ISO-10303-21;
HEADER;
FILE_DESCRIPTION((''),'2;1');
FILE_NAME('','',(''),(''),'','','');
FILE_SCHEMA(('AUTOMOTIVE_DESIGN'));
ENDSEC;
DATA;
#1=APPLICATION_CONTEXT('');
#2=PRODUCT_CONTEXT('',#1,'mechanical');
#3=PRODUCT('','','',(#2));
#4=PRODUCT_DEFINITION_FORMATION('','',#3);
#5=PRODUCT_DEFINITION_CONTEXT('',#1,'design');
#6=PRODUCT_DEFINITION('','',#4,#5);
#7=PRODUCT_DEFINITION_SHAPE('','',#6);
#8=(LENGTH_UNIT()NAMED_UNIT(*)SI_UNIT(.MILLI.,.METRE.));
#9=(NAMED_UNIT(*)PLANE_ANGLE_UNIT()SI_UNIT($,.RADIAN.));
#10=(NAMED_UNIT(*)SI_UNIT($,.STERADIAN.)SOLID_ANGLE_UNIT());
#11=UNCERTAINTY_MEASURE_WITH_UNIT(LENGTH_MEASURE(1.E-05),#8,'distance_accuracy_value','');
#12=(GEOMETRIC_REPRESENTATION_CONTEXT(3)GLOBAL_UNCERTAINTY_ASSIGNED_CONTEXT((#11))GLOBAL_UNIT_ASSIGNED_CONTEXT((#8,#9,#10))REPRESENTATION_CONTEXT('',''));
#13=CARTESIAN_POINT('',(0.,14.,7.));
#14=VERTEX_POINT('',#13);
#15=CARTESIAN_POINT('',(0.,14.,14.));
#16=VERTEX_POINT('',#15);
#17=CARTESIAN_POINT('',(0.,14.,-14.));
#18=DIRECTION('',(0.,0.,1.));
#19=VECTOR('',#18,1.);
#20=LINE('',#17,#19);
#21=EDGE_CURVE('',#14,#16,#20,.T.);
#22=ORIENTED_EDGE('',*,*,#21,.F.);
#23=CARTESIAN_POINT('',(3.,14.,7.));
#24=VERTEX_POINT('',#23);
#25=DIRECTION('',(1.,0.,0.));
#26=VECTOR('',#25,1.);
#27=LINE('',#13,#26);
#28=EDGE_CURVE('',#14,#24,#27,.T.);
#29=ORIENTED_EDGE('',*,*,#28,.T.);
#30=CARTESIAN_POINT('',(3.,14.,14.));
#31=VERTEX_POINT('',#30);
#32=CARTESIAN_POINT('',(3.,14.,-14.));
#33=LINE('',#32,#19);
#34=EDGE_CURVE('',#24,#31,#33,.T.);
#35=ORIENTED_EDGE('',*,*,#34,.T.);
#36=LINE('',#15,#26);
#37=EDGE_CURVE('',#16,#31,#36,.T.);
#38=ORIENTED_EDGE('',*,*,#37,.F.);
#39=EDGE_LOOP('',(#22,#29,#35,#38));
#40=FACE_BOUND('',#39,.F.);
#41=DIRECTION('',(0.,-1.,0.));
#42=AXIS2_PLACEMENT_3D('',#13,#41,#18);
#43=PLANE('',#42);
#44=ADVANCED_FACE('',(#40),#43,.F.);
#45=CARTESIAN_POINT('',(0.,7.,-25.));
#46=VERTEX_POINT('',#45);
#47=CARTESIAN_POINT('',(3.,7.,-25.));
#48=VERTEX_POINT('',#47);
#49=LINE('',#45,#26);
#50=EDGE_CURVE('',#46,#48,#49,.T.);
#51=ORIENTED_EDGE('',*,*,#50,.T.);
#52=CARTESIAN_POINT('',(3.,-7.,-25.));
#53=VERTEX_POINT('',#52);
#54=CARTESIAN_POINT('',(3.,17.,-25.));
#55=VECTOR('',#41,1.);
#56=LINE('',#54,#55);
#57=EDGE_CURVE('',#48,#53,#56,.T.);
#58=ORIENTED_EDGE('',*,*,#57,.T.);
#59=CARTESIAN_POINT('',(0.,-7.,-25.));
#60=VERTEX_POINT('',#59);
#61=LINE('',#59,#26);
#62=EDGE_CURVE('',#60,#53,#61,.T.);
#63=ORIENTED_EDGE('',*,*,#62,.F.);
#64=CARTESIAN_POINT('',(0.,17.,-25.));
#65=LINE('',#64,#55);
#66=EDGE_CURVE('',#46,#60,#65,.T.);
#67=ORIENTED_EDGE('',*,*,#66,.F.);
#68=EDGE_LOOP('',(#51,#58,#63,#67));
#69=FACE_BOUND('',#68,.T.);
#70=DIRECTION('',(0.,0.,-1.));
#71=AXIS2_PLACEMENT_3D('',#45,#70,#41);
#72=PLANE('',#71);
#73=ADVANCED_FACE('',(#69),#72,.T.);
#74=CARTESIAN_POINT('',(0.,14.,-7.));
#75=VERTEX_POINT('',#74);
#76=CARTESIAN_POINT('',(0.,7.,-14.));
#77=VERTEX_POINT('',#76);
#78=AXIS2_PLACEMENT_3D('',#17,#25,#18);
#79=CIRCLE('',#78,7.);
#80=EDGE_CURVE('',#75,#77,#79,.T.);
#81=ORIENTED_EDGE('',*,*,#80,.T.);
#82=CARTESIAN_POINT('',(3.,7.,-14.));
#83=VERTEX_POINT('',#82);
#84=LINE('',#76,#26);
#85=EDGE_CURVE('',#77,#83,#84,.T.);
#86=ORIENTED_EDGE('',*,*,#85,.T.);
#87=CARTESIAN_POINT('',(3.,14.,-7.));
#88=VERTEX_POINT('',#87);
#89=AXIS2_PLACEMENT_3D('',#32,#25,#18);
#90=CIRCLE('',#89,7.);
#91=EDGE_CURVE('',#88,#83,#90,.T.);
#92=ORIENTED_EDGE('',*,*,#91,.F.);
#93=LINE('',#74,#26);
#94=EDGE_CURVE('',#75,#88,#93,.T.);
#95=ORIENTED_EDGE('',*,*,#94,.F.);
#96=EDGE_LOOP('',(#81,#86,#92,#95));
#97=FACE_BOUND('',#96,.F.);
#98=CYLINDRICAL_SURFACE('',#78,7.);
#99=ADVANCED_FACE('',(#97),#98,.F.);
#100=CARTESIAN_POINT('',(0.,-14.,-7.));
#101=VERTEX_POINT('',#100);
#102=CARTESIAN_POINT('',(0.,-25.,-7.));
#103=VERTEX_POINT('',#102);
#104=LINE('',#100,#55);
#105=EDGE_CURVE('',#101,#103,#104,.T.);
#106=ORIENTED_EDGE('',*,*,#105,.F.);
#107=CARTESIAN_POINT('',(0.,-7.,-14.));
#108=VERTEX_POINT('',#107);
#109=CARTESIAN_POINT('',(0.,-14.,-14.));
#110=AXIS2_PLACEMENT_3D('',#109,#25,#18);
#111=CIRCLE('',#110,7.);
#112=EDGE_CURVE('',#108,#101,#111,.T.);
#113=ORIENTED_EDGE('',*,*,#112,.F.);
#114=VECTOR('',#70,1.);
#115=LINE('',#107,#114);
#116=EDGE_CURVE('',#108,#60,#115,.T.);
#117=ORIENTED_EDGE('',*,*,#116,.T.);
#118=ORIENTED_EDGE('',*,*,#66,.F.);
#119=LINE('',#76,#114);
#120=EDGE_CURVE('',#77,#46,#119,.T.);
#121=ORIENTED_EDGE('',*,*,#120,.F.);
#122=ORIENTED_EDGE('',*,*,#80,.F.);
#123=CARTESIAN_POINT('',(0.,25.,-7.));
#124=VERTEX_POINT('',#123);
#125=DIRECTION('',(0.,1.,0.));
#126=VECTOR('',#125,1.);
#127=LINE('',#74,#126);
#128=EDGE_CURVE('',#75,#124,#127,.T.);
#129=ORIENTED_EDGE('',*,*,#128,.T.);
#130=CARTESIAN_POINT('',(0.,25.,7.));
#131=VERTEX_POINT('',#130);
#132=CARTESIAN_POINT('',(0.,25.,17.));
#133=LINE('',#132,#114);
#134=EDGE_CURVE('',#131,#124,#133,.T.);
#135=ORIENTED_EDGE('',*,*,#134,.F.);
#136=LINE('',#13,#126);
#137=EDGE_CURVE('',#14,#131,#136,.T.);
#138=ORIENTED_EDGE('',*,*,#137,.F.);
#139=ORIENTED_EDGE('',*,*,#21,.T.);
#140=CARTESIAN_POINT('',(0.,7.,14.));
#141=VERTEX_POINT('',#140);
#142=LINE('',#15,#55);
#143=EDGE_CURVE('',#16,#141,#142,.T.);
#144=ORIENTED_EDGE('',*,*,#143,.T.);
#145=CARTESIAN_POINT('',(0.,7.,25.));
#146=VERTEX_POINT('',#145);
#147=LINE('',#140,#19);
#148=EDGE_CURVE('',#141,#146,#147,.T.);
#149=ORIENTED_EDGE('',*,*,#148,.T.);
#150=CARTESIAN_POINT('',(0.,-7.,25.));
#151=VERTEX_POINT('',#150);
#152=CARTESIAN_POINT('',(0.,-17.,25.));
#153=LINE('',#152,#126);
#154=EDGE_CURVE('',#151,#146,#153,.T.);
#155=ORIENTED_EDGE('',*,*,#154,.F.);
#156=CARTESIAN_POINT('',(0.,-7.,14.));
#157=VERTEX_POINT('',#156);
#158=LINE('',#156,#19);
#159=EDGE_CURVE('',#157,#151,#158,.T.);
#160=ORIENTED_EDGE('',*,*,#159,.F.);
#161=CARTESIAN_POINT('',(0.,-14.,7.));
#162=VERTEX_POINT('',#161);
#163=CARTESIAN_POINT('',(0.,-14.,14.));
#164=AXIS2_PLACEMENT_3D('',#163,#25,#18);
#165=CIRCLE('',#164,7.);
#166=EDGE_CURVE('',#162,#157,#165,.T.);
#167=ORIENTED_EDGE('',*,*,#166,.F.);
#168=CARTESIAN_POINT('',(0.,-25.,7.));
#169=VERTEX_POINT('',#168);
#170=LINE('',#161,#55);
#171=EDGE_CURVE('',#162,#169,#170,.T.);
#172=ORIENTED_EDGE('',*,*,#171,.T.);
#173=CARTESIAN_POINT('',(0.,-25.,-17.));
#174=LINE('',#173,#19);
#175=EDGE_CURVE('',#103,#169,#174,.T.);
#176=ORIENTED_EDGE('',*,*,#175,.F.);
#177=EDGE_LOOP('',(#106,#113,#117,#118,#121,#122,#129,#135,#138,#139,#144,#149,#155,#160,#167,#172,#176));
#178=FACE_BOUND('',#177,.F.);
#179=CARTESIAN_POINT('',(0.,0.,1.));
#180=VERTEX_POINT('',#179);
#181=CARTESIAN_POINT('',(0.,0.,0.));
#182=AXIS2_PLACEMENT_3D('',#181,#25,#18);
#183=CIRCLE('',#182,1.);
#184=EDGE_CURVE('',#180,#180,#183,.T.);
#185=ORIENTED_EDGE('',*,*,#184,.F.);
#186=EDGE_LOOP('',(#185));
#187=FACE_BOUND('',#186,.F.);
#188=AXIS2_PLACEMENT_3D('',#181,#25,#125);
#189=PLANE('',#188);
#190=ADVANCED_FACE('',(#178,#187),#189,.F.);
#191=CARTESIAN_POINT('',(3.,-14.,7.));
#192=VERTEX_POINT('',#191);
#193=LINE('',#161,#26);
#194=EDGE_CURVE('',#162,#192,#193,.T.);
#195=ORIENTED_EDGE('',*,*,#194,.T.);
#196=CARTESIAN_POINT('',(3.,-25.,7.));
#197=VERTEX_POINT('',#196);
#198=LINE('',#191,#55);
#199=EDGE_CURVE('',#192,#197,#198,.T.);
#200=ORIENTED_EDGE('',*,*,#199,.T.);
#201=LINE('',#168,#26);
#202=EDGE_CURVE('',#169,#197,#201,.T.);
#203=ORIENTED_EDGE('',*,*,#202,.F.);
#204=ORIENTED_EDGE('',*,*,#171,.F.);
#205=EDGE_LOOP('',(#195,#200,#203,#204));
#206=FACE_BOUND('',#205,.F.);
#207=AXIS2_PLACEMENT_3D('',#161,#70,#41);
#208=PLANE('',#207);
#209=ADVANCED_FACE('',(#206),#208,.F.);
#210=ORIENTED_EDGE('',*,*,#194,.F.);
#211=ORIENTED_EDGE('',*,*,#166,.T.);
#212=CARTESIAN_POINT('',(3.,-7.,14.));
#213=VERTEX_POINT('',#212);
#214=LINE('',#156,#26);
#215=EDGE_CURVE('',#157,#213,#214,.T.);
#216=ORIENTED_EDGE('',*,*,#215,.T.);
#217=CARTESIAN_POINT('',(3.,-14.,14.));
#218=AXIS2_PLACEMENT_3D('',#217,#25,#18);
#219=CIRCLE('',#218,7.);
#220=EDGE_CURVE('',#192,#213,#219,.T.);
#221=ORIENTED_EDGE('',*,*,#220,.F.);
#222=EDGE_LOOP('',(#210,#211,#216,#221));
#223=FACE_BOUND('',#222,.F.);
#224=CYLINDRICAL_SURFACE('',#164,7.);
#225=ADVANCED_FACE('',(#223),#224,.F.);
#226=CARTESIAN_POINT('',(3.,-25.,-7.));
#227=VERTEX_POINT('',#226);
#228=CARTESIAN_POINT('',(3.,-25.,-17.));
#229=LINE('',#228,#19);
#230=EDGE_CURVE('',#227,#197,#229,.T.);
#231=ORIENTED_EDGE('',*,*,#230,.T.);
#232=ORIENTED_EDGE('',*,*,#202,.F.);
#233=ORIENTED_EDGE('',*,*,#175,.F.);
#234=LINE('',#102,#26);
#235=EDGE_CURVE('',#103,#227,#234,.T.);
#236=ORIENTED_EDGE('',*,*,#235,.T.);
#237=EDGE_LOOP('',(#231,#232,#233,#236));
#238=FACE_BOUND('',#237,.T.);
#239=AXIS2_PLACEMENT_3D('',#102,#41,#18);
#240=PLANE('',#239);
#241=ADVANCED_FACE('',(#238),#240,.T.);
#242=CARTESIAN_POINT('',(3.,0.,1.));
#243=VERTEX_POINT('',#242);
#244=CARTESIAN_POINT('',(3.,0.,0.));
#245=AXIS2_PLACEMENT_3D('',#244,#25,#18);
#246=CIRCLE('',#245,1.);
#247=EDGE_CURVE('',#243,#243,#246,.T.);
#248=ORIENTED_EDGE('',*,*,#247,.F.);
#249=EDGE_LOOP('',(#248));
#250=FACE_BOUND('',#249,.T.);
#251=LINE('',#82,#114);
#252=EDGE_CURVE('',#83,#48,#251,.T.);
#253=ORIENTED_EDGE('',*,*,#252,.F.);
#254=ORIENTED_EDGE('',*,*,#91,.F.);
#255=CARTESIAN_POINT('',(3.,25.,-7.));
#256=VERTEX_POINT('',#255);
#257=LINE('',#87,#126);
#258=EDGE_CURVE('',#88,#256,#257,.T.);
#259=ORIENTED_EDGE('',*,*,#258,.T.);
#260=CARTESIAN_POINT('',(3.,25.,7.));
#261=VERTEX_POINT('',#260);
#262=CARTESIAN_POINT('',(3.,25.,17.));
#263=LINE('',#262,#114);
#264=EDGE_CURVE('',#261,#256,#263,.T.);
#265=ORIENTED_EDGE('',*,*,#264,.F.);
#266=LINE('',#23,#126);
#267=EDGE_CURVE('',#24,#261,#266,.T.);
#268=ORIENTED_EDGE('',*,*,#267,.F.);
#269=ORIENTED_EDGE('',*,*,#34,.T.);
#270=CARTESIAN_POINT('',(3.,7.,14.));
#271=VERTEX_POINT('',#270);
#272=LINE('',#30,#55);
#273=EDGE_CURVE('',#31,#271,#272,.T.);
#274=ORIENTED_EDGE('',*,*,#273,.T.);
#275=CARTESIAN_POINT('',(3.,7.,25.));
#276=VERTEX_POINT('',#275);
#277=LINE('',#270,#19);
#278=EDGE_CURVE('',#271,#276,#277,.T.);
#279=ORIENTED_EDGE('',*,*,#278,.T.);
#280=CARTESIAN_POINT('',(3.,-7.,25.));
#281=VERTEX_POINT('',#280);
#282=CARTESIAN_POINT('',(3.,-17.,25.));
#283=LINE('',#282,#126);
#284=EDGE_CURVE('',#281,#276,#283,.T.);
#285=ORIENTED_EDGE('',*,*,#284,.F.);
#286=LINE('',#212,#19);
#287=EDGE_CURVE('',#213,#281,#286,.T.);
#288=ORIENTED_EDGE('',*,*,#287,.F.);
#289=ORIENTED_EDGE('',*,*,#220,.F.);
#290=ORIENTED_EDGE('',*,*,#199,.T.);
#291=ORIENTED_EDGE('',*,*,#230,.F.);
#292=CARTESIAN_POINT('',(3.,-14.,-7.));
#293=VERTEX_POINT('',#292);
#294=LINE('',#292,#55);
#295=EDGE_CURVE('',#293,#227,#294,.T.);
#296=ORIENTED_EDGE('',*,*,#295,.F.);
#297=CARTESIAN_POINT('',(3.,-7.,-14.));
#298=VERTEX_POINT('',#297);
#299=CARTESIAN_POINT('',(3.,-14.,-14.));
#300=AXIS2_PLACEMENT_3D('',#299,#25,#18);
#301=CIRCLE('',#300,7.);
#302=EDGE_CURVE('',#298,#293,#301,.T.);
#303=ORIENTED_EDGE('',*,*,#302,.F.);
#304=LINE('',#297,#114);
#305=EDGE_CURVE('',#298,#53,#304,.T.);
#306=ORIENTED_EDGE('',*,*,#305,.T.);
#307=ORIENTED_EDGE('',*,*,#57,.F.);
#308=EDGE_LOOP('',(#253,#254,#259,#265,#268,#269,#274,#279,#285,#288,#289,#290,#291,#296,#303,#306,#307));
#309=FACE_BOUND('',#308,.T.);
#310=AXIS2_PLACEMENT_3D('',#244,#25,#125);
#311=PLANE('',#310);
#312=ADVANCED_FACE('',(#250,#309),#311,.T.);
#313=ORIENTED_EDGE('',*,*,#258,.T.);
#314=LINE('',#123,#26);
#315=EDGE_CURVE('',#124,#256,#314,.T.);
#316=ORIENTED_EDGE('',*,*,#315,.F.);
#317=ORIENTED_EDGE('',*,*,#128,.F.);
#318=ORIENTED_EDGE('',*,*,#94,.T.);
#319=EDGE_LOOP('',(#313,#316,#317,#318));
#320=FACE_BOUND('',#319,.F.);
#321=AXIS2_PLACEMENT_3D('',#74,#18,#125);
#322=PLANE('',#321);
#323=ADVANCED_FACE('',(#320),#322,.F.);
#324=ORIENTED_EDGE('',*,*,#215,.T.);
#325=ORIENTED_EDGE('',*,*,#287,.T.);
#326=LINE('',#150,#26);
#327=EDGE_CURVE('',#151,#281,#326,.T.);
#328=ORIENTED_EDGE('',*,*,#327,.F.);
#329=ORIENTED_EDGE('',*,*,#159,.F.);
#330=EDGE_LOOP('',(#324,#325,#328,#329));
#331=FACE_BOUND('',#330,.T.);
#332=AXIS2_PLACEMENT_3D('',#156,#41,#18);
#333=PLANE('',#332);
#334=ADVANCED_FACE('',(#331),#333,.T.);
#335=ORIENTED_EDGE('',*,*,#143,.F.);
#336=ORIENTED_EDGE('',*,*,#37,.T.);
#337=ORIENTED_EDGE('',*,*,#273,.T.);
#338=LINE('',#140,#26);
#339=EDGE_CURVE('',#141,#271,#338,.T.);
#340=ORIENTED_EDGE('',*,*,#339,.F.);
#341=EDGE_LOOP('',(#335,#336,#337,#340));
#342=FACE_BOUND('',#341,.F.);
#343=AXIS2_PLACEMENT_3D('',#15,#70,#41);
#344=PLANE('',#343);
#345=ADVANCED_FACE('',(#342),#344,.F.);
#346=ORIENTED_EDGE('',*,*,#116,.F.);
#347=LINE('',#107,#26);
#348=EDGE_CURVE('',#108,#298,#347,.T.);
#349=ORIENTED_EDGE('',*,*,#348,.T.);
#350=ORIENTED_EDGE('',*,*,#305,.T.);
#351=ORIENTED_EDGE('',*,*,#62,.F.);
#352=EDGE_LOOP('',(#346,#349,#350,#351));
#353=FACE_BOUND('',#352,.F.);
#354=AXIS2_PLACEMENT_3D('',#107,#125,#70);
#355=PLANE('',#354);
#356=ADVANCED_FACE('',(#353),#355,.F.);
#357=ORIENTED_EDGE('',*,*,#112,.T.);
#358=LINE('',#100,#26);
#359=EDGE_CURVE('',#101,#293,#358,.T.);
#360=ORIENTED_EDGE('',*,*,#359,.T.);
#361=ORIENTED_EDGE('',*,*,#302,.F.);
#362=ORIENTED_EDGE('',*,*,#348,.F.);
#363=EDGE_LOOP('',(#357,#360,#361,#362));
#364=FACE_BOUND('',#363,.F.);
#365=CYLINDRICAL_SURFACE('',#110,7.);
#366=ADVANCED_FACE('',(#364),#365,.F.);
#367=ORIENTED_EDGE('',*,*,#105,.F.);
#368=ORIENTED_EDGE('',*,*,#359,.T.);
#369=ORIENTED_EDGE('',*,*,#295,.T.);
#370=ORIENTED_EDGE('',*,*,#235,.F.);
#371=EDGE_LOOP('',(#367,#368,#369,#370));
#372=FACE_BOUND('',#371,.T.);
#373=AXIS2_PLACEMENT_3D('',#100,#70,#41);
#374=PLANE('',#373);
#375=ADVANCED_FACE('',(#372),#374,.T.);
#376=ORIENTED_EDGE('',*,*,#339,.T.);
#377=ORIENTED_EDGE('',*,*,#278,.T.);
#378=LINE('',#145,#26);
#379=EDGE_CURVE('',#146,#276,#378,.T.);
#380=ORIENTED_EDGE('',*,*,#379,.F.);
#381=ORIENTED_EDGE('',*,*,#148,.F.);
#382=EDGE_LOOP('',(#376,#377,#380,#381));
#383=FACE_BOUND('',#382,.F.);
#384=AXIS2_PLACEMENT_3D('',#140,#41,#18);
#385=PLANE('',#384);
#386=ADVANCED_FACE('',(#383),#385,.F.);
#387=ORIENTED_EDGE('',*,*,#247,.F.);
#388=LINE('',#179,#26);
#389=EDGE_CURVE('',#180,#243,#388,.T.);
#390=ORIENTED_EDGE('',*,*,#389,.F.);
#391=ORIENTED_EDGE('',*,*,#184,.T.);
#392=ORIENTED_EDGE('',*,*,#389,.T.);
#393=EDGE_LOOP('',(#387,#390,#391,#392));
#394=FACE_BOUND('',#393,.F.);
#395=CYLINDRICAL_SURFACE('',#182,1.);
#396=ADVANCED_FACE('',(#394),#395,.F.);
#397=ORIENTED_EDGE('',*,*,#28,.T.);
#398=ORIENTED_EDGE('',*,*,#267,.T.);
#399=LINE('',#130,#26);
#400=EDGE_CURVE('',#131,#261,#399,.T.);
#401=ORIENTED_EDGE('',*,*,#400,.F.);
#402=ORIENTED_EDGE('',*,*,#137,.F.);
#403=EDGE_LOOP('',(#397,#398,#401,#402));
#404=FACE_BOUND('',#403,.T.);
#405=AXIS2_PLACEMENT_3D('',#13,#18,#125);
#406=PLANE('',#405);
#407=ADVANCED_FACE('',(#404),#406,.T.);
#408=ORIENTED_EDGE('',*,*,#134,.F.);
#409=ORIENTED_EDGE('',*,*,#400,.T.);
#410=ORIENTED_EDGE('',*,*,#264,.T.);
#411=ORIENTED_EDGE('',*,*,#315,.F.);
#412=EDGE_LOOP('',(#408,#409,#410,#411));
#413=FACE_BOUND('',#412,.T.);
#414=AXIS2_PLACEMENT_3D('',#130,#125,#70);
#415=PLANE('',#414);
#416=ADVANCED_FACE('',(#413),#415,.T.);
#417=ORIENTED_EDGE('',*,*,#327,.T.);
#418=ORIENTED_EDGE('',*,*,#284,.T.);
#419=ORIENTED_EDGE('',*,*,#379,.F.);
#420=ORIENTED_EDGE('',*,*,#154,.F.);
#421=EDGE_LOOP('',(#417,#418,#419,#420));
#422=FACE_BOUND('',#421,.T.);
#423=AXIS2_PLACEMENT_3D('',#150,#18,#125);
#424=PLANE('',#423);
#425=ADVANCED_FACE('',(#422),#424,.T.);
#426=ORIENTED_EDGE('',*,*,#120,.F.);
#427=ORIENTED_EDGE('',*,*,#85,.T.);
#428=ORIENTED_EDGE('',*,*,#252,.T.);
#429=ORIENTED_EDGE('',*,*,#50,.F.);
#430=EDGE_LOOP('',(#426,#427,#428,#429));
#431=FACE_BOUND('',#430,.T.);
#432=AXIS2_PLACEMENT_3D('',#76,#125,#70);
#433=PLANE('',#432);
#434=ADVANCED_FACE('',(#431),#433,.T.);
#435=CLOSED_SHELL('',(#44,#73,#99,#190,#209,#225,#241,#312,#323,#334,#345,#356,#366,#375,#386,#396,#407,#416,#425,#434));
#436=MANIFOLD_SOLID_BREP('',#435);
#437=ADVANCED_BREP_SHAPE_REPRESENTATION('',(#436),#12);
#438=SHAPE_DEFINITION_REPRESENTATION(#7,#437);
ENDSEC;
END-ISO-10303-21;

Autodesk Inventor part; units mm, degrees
ref_plane "YZ Plane" through (0, 0, 0) normal (1, 0, 0) x (0, 1, 0)
ref_plane "XZ Plane" through (0, 0, 0) normal (0, 1, 0) x (-1, 0, 0)
ref_plane "XY Plane" through (0, 0, 0) normal (0, 0, 1) x (1, 0, 0)
sketch "Skizze1" plane through (0, 0, 0) normal (1, 0, 0) x (0, 1, 0)
  line L0 (14, 14) -> (-14, 14)
  line L1 (-14, 14) -> (-14, -14)
  line L2 (-14, -14) -> (14, -14)
  line L3 (14, -14) -> (14, 14)
  line L4 (14, 14) -> (-14, -14) construction
  line L5 (-14, 14) -> (14, -14) construction
  line L6 (17, 17) -> (-17, -17) construction
  line L7 (-17, 17) -> (17, -17) construction
  line L8 (-17, 17) -> (-17, 25)
  line L9 (-17, 25) -> (17, 25)
  line L10 (17, 25) -> (17, 17)
  line L11 (17, 17) -> (25, 17)
  line L12 (25, 17) -> (25, -17)
  line L13 (25, -17) -> (17, -17)
  line L14 (17, -17) -> (17, -25)
  line L15 (17, -25) -> (-17, -25)
  line L16 (-17, -25) -> (-17, -17)
  line L17 (-17, -17) -> (-25, -17)
  line L18 (-25, -17) -> (-25, 17)
  line L19 (-25, 17) -> (-17, 17)
  line L20 (-7, 14) -> (-7, 25)
  line L21 (7, 14) -> (7, 25)
  line L22 (14, 7) -> (25, 7)
  line L23 (14, -7) -> (25, -7)
  line L24 (7, -14) -> (7, -25)
  line L25 (-7, -14) -> (-7, -25)
  line L26 (-14, -7) -> (-25, -7)
  line L27 (-14, 7) -> (-25, 7)
  point P0 (0, 0)
  dimension "d0" = 28
  dimension "d1" = 28
  dimension "d2" = 34
  dimension "d3" = 34
  dimension "d4" = 8
  dimension "d5" = 8
  dimension "d6" = 8
  dimension "d7" = 8
extrude "Extrusion1" add sketch "Skizze1" along normal blind 3 contours L3 L2 L1 L0 | L0 L20 L9 L21 | L22 L12 L23 L3 | L1 L26 L18 L27 | L24 L15 L25 L2
hole "Bohrung1" at (0, 14, -14) at (0, -14, -14) at (0, -14, 14) direction (1, 0, 0) diameter 14 end through all
hole "Bohrung2" at (0, 0, 0) direction (1, 0, 0) diameter 2 end through all
properties part number "Cube_Insert_Motion_adapter_srew_back"
